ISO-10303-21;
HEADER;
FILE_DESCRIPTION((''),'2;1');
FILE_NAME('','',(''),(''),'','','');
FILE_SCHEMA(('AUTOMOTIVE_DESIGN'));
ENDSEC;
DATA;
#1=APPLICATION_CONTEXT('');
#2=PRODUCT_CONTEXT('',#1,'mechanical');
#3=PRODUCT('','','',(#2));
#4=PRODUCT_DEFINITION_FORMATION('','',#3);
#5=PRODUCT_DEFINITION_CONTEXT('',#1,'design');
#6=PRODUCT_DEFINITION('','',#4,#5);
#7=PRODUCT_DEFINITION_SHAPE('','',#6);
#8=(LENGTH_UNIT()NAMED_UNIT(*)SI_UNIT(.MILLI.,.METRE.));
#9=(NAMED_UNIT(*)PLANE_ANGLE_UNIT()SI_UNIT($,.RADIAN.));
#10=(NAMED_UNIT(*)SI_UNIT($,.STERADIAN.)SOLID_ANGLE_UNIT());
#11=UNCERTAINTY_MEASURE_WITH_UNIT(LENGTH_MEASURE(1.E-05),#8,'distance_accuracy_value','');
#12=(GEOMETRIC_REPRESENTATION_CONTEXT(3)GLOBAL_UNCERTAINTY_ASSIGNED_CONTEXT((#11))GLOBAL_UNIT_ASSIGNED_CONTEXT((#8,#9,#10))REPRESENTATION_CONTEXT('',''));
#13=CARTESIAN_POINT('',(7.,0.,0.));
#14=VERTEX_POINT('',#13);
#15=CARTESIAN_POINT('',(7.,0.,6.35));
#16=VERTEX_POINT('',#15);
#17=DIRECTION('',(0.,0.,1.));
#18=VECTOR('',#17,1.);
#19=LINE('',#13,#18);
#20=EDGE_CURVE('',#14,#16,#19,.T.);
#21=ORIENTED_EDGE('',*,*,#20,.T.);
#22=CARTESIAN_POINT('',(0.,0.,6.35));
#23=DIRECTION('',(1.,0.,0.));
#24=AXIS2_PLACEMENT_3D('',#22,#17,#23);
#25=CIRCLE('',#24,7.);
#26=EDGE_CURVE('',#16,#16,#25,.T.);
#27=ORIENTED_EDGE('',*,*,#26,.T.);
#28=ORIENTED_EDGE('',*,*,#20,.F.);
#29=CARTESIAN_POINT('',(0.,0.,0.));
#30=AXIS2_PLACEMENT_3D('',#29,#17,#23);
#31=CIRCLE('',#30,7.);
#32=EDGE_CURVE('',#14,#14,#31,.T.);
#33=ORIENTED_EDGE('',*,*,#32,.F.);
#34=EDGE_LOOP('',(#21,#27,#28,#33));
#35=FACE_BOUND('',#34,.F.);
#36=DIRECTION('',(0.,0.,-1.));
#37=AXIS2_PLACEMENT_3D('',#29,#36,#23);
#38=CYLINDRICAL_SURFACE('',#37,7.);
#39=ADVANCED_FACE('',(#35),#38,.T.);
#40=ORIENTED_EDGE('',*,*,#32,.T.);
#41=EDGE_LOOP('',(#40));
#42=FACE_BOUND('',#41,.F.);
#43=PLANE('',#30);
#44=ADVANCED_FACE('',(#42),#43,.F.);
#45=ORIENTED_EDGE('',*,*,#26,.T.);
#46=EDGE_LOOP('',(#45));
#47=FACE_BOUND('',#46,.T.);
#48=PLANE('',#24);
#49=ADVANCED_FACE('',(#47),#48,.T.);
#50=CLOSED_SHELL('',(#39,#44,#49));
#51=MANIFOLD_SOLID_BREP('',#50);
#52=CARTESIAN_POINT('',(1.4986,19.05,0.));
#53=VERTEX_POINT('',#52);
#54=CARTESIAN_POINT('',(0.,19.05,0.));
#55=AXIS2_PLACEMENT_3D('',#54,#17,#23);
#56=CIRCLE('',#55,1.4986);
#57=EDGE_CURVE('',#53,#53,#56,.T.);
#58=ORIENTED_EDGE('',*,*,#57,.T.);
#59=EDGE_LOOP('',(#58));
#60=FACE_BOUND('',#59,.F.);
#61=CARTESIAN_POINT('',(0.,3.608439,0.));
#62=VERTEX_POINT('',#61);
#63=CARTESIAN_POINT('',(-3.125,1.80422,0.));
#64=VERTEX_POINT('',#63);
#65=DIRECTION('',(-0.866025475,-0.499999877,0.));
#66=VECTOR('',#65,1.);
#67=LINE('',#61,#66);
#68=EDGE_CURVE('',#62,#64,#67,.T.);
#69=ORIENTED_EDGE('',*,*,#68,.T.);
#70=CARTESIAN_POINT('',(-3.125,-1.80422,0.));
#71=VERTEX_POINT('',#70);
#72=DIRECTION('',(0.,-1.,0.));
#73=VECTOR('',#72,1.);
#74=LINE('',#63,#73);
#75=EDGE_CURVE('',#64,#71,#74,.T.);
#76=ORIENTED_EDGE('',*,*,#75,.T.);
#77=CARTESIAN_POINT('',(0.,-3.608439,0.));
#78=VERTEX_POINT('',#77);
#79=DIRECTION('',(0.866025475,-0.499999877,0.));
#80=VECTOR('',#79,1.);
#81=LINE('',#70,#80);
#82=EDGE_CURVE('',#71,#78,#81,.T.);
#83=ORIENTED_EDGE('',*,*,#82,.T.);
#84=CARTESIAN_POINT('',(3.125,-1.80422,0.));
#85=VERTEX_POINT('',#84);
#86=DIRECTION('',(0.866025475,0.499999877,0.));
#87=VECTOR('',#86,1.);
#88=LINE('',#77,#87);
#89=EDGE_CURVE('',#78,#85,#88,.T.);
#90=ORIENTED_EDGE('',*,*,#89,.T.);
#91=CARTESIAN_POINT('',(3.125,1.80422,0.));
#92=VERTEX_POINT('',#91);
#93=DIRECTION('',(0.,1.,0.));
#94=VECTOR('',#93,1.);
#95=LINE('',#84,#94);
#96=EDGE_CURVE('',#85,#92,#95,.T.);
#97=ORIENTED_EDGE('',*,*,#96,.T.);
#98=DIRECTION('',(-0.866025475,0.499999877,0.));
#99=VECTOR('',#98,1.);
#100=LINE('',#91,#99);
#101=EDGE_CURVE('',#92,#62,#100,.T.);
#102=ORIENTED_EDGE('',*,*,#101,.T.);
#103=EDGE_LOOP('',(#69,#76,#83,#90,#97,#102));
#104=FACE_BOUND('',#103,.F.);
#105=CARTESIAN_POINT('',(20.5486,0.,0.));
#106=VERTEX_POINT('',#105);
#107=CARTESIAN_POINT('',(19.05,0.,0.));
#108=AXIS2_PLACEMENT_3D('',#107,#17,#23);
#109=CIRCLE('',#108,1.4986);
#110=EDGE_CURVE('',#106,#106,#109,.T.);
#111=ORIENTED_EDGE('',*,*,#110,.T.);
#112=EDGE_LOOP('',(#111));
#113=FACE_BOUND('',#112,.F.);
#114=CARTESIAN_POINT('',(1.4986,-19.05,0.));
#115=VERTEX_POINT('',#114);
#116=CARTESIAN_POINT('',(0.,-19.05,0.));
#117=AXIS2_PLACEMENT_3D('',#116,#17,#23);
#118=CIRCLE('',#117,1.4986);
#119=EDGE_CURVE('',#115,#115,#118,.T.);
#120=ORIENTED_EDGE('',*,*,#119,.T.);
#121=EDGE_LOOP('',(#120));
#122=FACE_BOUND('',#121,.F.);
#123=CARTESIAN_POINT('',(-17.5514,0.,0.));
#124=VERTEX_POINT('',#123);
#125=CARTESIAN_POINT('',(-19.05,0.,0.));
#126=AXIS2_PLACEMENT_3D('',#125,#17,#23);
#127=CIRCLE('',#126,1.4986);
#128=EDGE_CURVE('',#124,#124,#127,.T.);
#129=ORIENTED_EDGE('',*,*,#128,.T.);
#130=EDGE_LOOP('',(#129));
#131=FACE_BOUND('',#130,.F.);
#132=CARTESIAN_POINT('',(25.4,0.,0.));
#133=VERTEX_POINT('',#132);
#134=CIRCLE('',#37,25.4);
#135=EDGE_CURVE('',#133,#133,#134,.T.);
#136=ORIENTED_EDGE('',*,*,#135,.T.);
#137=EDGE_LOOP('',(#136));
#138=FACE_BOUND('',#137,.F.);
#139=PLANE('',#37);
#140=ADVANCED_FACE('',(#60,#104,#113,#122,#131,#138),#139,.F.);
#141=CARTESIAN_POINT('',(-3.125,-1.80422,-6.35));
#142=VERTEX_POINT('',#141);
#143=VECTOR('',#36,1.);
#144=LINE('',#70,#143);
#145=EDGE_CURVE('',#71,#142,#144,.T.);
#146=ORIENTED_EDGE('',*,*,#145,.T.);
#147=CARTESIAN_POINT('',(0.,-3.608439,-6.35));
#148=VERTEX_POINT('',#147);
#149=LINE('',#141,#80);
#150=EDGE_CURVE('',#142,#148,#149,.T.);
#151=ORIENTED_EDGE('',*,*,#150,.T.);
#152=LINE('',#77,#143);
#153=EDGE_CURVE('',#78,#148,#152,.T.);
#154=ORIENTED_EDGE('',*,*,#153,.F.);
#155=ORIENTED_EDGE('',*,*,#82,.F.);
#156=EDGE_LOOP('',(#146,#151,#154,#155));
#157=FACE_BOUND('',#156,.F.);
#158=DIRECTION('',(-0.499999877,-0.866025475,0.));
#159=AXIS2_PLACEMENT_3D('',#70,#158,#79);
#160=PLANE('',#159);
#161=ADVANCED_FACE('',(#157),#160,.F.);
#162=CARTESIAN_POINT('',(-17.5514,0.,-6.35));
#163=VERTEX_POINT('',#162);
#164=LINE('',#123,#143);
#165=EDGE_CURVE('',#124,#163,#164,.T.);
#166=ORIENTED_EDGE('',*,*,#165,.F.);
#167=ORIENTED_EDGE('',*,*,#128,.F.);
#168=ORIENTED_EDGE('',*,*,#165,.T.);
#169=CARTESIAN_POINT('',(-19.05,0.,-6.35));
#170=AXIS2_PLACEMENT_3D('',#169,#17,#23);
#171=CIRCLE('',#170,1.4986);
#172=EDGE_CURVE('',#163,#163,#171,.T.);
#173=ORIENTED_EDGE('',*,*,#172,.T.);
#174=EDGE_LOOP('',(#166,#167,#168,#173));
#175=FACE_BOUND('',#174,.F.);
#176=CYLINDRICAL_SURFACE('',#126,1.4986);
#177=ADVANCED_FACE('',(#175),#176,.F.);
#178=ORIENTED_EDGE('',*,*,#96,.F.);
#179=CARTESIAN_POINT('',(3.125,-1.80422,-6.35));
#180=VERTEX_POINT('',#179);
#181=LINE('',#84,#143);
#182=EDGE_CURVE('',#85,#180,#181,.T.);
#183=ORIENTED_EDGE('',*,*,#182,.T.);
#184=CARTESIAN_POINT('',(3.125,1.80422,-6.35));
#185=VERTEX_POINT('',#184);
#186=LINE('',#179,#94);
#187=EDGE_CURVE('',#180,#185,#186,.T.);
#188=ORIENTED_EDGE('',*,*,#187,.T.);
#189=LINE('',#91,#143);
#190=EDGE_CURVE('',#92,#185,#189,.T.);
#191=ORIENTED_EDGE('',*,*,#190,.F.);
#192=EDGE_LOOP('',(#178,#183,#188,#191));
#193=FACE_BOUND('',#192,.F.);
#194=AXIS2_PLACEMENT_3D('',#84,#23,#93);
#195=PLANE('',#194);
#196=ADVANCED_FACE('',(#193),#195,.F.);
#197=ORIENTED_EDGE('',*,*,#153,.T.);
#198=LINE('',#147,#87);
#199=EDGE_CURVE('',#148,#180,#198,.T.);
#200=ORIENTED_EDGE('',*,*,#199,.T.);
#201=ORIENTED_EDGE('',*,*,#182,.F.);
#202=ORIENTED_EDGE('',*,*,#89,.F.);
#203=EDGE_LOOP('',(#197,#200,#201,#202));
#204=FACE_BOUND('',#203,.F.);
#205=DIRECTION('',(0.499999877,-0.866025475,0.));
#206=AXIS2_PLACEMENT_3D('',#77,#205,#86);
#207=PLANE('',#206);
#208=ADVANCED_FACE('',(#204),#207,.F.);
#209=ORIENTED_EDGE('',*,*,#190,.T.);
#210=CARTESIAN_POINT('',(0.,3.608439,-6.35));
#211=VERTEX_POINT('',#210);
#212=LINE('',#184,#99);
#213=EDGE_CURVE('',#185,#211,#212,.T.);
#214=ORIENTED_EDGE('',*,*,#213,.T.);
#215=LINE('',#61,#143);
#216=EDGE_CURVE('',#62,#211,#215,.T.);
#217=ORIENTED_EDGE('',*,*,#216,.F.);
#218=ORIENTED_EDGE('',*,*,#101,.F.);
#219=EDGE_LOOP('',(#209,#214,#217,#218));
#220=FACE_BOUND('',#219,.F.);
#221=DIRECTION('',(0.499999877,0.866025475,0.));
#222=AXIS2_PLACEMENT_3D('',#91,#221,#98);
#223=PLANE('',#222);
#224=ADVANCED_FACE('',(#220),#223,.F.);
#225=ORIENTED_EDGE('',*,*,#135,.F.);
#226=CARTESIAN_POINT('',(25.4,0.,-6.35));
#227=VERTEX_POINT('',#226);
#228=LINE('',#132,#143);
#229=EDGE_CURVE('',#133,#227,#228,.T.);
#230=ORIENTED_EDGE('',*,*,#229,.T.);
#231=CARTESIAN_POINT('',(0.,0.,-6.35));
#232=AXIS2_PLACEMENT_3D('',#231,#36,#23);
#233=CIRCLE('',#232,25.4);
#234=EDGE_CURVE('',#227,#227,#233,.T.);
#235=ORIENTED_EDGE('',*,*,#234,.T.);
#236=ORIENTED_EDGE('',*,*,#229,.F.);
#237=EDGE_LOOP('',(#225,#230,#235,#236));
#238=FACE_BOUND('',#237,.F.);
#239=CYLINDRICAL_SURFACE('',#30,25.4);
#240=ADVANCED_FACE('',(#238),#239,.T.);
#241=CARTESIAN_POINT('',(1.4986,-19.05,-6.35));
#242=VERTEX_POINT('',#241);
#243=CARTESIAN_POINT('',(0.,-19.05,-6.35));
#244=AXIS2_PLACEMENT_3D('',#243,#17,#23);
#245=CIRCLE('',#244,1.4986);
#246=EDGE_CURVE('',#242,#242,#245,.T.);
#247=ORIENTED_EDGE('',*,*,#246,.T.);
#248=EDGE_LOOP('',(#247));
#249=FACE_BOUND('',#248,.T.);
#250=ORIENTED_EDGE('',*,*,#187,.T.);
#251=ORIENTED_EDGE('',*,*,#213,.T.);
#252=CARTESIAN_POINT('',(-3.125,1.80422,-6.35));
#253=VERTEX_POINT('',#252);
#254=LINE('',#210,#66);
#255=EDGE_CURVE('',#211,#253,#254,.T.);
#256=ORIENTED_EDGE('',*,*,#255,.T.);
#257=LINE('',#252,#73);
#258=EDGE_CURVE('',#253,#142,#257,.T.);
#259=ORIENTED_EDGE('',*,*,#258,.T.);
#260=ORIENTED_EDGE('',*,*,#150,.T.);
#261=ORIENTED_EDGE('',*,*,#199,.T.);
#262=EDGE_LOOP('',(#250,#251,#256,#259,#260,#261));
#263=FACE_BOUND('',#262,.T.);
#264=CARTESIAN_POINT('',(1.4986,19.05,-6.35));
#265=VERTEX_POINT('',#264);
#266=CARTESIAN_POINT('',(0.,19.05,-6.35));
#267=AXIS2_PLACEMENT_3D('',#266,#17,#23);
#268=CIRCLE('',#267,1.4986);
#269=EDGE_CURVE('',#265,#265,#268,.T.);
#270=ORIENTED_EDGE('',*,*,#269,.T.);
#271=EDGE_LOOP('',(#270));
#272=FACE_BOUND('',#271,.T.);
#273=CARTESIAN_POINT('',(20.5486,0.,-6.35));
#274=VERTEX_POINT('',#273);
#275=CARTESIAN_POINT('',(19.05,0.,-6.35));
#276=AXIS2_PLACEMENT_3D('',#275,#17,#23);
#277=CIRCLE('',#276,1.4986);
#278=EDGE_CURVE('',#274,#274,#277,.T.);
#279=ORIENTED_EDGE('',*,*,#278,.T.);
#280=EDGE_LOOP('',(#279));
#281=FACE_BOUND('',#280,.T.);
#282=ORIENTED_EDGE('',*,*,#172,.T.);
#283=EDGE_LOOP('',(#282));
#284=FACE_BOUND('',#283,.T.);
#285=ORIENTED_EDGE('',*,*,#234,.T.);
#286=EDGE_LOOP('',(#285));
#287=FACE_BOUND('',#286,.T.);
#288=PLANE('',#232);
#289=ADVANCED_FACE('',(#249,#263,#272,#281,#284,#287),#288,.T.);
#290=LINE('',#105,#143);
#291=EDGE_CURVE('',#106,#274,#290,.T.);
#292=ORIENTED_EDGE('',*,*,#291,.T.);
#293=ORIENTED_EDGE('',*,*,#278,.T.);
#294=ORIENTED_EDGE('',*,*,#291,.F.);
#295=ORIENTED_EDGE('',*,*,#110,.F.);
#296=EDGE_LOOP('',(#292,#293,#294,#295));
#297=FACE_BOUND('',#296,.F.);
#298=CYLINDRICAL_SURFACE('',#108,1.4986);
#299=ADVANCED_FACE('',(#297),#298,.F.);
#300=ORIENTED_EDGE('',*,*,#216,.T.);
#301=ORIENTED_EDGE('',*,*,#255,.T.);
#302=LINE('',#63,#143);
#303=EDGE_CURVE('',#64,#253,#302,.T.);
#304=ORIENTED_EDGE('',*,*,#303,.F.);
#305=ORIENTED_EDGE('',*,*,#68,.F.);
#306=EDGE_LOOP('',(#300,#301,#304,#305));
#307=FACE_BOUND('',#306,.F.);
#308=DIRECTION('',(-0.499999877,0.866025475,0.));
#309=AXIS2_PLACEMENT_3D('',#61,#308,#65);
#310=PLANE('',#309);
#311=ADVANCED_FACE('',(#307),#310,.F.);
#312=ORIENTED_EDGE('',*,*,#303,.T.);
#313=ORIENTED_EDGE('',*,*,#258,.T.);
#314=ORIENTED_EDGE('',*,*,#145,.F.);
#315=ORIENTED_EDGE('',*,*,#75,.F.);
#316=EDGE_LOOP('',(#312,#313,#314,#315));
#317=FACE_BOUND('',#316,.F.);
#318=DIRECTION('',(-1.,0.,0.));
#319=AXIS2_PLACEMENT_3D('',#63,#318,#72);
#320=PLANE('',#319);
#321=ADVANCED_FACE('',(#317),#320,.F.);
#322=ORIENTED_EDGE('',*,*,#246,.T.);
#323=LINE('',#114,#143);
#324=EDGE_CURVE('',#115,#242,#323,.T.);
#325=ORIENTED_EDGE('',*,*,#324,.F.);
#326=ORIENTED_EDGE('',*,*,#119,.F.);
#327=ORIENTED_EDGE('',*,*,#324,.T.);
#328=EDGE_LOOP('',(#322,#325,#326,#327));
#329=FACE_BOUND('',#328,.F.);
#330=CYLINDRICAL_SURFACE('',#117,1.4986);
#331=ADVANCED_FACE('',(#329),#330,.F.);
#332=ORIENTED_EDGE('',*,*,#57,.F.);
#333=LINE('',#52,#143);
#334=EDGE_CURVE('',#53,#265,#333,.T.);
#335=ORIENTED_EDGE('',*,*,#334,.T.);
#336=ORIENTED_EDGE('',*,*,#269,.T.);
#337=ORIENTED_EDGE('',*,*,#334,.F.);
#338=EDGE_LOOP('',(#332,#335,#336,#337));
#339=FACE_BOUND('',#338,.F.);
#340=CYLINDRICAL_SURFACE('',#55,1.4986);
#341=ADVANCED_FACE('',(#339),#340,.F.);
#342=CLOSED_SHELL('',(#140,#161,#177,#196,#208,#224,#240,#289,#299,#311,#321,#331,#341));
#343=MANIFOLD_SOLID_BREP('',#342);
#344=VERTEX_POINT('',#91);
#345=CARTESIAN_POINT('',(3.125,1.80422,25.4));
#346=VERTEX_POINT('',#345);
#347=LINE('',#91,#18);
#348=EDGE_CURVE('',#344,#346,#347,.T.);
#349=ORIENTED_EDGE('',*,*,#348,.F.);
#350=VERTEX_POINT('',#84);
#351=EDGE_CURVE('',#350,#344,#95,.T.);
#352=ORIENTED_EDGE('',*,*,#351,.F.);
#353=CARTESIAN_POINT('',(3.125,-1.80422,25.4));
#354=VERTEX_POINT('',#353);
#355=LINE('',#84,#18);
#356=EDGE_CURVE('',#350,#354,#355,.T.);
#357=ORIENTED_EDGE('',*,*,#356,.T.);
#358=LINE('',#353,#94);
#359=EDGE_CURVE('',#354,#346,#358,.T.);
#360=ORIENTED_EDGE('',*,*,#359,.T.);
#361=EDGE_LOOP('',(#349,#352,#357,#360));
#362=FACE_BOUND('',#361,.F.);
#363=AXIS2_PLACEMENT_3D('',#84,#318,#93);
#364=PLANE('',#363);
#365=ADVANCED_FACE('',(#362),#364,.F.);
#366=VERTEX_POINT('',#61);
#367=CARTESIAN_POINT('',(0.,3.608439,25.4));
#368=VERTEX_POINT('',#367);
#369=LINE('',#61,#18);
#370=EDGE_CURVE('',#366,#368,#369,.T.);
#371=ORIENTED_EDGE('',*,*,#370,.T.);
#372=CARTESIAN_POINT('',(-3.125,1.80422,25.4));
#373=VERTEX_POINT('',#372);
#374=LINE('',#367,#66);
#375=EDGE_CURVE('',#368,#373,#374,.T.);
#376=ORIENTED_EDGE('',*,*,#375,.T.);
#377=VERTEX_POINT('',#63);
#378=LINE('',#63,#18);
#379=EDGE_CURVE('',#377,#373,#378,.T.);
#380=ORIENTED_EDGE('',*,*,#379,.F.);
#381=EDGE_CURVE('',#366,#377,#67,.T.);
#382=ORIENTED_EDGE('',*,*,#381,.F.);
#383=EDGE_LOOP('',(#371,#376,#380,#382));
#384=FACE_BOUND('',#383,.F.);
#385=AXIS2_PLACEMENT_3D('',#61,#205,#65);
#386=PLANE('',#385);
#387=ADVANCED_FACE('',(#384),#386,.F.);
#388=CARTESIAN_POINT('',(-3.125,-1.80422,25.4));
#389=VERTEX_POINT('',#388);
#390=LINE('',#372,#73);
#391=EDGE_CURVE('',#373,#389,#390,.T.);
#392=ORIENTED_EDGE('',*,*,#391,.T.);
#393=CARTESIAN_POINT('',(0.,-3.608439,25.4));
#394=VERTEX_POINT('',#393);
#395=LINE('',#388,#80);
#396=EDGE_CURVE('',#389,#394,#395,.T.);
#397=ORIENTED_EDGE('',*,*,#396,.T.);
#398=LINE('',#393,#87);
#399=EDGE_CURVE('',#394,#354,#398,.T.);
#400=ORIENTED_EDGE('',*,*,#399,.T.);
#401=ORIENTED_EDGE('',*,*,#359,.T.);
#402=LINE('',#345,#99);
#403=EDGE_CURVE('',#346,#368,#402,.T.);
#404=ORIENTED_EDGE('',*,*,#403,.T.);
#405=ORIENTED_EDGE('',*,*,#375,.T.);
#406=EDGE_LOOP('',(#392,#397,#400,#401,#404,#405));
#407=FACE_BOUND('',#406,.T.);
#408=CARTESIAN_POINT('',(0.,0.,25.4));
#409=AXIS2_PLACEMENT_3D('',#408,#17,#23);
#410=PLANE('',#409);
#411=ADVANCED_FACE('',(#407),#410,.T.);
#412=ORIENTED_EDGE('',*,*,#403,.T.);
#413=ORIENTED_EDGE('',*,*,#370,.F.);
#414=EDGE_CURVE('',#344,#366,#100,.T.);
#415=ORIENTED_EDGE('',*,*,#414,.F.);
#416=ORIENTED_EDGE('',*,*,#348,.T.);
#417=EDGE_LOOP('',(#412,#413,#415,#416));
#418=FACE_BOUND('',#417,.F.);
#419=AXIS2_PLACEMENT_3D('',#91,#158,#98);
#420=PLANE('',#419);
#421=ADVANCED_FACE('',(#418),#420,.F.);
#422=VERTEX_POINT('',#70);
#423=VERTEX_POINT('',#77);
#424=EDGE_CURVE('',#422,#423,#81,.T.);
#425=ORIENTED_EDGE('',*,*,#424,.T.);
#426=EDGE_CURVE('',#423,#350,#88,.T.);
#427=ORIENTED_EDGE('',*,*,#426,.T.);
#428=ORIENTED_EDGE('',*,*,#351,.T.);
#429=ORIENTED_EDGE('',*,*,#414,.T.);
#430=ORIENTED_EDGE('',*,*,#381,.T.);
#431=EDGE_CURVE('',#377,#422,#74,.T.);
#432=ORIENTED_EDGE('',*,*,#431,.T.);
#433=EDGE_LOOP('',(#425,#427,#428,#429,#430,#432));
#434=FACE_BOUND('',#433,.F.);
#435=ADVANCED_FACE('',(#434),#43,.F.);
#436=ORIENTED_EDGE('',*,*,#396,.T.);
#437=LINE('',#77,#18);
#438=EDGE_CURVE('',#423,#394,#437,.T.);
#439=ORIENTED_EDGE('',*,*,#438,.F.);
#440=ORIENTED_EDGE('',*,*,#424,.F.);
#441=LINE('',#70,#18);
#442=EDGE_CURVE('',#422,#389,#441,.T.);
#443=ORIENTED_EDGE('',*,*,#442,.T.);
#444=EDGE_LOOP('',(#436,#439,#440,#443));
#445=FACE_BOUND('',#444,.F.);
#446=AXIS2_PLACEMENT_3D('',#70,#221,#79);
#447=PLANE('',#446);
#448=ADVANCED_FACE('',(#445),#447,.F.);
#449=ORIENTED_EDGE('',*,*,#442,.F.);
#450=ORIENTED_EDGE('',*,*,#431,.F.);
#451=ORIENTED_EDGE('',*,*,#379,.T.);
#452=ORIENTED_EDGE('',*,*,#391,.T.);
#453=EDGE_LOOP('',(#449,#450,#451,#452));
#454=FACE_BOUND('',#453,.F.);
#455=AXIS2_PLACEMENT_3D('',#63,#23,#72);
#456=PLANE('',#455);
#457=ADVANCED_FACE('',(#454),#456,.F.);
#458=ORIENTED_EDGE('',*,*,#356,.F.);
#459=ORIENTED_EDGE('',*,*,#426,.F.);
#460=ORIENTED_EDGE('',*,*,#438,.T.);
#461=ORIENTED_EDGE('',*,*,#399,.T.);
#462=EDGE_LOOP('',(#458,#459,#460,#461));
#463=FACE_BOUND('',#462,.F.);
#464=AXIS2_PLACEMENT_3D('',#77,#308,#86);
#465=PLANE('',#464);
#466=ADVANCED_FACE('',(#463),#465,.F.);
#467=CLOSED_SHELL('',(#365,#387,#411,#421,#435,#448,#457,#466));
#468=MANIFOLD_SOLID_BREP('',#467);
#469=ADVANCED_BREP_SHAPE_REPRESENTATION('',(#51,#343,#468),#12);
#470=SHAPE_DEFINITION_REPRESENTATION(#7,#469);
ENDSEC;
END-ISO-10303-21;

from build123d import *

# Parameters (mm, degrees)
F1_DEPTH = 25.4
F2_R     = 25.4
F3_DEPTH = 6.35
F4_R     = 7
F5_DEPTH = 6.35
F6_R     = 1.4986
F7_DEPTH = 25.4


with BuildPart() as f1:
    # F0 (on Top) → F1 (new body)
    with BuildSketch(Plane.XY):
        Polygon((3.125, -1.80422), (3.125, 1.80422), (0, 3.608439), (-3.125, 1.80422), (-3.125, -1.80422), (0, -3.608439), align=None)
    extrude(amount=F1_DEPTH)


with BuildPart() as f3:
    # F2 (on face) → F3 (new body)
    with BuildSketch(Plane(origin=(0, 0, 0), x_dir=(1, 0, 0), z_dir=(0, 0, -1))):
        Circle(F2_R)
        Polygon((0, 3.608439), (3.125, 1.80422), (3.125, -1.80422), (0, -3.608439), (-3.125, -1.80422), (-3.125, 1.80422), align=None, mode=Mode.SUBTRACT)
    extrude(amount=F3_DEPTH)

    # F6 (on face) → F7 (cut)
    with BuildSketch(Plane.XY):
        with Locations((0, 19.05)):
            Circle(F6_R)
        with Locations((19.05, 0)):
            Circle(F6_R)
        with Locations((0, -19.05)):
            Circle(F6_R)
        with Locations((-19.05, 0)):
            Circle(F6_R)
    extrude(amount=-F7_DEPTH, mode=Mode.SUBTRACT)


with BuildPart() as f5:
    # F4 (on face) → F5 (new body)
    with BuildSketch(Plane.XY):
        Circle(F4_R)
    extrude(amount=F5_DEPTH)


solid = Compound([f1.part, f3.part, f5.part])
